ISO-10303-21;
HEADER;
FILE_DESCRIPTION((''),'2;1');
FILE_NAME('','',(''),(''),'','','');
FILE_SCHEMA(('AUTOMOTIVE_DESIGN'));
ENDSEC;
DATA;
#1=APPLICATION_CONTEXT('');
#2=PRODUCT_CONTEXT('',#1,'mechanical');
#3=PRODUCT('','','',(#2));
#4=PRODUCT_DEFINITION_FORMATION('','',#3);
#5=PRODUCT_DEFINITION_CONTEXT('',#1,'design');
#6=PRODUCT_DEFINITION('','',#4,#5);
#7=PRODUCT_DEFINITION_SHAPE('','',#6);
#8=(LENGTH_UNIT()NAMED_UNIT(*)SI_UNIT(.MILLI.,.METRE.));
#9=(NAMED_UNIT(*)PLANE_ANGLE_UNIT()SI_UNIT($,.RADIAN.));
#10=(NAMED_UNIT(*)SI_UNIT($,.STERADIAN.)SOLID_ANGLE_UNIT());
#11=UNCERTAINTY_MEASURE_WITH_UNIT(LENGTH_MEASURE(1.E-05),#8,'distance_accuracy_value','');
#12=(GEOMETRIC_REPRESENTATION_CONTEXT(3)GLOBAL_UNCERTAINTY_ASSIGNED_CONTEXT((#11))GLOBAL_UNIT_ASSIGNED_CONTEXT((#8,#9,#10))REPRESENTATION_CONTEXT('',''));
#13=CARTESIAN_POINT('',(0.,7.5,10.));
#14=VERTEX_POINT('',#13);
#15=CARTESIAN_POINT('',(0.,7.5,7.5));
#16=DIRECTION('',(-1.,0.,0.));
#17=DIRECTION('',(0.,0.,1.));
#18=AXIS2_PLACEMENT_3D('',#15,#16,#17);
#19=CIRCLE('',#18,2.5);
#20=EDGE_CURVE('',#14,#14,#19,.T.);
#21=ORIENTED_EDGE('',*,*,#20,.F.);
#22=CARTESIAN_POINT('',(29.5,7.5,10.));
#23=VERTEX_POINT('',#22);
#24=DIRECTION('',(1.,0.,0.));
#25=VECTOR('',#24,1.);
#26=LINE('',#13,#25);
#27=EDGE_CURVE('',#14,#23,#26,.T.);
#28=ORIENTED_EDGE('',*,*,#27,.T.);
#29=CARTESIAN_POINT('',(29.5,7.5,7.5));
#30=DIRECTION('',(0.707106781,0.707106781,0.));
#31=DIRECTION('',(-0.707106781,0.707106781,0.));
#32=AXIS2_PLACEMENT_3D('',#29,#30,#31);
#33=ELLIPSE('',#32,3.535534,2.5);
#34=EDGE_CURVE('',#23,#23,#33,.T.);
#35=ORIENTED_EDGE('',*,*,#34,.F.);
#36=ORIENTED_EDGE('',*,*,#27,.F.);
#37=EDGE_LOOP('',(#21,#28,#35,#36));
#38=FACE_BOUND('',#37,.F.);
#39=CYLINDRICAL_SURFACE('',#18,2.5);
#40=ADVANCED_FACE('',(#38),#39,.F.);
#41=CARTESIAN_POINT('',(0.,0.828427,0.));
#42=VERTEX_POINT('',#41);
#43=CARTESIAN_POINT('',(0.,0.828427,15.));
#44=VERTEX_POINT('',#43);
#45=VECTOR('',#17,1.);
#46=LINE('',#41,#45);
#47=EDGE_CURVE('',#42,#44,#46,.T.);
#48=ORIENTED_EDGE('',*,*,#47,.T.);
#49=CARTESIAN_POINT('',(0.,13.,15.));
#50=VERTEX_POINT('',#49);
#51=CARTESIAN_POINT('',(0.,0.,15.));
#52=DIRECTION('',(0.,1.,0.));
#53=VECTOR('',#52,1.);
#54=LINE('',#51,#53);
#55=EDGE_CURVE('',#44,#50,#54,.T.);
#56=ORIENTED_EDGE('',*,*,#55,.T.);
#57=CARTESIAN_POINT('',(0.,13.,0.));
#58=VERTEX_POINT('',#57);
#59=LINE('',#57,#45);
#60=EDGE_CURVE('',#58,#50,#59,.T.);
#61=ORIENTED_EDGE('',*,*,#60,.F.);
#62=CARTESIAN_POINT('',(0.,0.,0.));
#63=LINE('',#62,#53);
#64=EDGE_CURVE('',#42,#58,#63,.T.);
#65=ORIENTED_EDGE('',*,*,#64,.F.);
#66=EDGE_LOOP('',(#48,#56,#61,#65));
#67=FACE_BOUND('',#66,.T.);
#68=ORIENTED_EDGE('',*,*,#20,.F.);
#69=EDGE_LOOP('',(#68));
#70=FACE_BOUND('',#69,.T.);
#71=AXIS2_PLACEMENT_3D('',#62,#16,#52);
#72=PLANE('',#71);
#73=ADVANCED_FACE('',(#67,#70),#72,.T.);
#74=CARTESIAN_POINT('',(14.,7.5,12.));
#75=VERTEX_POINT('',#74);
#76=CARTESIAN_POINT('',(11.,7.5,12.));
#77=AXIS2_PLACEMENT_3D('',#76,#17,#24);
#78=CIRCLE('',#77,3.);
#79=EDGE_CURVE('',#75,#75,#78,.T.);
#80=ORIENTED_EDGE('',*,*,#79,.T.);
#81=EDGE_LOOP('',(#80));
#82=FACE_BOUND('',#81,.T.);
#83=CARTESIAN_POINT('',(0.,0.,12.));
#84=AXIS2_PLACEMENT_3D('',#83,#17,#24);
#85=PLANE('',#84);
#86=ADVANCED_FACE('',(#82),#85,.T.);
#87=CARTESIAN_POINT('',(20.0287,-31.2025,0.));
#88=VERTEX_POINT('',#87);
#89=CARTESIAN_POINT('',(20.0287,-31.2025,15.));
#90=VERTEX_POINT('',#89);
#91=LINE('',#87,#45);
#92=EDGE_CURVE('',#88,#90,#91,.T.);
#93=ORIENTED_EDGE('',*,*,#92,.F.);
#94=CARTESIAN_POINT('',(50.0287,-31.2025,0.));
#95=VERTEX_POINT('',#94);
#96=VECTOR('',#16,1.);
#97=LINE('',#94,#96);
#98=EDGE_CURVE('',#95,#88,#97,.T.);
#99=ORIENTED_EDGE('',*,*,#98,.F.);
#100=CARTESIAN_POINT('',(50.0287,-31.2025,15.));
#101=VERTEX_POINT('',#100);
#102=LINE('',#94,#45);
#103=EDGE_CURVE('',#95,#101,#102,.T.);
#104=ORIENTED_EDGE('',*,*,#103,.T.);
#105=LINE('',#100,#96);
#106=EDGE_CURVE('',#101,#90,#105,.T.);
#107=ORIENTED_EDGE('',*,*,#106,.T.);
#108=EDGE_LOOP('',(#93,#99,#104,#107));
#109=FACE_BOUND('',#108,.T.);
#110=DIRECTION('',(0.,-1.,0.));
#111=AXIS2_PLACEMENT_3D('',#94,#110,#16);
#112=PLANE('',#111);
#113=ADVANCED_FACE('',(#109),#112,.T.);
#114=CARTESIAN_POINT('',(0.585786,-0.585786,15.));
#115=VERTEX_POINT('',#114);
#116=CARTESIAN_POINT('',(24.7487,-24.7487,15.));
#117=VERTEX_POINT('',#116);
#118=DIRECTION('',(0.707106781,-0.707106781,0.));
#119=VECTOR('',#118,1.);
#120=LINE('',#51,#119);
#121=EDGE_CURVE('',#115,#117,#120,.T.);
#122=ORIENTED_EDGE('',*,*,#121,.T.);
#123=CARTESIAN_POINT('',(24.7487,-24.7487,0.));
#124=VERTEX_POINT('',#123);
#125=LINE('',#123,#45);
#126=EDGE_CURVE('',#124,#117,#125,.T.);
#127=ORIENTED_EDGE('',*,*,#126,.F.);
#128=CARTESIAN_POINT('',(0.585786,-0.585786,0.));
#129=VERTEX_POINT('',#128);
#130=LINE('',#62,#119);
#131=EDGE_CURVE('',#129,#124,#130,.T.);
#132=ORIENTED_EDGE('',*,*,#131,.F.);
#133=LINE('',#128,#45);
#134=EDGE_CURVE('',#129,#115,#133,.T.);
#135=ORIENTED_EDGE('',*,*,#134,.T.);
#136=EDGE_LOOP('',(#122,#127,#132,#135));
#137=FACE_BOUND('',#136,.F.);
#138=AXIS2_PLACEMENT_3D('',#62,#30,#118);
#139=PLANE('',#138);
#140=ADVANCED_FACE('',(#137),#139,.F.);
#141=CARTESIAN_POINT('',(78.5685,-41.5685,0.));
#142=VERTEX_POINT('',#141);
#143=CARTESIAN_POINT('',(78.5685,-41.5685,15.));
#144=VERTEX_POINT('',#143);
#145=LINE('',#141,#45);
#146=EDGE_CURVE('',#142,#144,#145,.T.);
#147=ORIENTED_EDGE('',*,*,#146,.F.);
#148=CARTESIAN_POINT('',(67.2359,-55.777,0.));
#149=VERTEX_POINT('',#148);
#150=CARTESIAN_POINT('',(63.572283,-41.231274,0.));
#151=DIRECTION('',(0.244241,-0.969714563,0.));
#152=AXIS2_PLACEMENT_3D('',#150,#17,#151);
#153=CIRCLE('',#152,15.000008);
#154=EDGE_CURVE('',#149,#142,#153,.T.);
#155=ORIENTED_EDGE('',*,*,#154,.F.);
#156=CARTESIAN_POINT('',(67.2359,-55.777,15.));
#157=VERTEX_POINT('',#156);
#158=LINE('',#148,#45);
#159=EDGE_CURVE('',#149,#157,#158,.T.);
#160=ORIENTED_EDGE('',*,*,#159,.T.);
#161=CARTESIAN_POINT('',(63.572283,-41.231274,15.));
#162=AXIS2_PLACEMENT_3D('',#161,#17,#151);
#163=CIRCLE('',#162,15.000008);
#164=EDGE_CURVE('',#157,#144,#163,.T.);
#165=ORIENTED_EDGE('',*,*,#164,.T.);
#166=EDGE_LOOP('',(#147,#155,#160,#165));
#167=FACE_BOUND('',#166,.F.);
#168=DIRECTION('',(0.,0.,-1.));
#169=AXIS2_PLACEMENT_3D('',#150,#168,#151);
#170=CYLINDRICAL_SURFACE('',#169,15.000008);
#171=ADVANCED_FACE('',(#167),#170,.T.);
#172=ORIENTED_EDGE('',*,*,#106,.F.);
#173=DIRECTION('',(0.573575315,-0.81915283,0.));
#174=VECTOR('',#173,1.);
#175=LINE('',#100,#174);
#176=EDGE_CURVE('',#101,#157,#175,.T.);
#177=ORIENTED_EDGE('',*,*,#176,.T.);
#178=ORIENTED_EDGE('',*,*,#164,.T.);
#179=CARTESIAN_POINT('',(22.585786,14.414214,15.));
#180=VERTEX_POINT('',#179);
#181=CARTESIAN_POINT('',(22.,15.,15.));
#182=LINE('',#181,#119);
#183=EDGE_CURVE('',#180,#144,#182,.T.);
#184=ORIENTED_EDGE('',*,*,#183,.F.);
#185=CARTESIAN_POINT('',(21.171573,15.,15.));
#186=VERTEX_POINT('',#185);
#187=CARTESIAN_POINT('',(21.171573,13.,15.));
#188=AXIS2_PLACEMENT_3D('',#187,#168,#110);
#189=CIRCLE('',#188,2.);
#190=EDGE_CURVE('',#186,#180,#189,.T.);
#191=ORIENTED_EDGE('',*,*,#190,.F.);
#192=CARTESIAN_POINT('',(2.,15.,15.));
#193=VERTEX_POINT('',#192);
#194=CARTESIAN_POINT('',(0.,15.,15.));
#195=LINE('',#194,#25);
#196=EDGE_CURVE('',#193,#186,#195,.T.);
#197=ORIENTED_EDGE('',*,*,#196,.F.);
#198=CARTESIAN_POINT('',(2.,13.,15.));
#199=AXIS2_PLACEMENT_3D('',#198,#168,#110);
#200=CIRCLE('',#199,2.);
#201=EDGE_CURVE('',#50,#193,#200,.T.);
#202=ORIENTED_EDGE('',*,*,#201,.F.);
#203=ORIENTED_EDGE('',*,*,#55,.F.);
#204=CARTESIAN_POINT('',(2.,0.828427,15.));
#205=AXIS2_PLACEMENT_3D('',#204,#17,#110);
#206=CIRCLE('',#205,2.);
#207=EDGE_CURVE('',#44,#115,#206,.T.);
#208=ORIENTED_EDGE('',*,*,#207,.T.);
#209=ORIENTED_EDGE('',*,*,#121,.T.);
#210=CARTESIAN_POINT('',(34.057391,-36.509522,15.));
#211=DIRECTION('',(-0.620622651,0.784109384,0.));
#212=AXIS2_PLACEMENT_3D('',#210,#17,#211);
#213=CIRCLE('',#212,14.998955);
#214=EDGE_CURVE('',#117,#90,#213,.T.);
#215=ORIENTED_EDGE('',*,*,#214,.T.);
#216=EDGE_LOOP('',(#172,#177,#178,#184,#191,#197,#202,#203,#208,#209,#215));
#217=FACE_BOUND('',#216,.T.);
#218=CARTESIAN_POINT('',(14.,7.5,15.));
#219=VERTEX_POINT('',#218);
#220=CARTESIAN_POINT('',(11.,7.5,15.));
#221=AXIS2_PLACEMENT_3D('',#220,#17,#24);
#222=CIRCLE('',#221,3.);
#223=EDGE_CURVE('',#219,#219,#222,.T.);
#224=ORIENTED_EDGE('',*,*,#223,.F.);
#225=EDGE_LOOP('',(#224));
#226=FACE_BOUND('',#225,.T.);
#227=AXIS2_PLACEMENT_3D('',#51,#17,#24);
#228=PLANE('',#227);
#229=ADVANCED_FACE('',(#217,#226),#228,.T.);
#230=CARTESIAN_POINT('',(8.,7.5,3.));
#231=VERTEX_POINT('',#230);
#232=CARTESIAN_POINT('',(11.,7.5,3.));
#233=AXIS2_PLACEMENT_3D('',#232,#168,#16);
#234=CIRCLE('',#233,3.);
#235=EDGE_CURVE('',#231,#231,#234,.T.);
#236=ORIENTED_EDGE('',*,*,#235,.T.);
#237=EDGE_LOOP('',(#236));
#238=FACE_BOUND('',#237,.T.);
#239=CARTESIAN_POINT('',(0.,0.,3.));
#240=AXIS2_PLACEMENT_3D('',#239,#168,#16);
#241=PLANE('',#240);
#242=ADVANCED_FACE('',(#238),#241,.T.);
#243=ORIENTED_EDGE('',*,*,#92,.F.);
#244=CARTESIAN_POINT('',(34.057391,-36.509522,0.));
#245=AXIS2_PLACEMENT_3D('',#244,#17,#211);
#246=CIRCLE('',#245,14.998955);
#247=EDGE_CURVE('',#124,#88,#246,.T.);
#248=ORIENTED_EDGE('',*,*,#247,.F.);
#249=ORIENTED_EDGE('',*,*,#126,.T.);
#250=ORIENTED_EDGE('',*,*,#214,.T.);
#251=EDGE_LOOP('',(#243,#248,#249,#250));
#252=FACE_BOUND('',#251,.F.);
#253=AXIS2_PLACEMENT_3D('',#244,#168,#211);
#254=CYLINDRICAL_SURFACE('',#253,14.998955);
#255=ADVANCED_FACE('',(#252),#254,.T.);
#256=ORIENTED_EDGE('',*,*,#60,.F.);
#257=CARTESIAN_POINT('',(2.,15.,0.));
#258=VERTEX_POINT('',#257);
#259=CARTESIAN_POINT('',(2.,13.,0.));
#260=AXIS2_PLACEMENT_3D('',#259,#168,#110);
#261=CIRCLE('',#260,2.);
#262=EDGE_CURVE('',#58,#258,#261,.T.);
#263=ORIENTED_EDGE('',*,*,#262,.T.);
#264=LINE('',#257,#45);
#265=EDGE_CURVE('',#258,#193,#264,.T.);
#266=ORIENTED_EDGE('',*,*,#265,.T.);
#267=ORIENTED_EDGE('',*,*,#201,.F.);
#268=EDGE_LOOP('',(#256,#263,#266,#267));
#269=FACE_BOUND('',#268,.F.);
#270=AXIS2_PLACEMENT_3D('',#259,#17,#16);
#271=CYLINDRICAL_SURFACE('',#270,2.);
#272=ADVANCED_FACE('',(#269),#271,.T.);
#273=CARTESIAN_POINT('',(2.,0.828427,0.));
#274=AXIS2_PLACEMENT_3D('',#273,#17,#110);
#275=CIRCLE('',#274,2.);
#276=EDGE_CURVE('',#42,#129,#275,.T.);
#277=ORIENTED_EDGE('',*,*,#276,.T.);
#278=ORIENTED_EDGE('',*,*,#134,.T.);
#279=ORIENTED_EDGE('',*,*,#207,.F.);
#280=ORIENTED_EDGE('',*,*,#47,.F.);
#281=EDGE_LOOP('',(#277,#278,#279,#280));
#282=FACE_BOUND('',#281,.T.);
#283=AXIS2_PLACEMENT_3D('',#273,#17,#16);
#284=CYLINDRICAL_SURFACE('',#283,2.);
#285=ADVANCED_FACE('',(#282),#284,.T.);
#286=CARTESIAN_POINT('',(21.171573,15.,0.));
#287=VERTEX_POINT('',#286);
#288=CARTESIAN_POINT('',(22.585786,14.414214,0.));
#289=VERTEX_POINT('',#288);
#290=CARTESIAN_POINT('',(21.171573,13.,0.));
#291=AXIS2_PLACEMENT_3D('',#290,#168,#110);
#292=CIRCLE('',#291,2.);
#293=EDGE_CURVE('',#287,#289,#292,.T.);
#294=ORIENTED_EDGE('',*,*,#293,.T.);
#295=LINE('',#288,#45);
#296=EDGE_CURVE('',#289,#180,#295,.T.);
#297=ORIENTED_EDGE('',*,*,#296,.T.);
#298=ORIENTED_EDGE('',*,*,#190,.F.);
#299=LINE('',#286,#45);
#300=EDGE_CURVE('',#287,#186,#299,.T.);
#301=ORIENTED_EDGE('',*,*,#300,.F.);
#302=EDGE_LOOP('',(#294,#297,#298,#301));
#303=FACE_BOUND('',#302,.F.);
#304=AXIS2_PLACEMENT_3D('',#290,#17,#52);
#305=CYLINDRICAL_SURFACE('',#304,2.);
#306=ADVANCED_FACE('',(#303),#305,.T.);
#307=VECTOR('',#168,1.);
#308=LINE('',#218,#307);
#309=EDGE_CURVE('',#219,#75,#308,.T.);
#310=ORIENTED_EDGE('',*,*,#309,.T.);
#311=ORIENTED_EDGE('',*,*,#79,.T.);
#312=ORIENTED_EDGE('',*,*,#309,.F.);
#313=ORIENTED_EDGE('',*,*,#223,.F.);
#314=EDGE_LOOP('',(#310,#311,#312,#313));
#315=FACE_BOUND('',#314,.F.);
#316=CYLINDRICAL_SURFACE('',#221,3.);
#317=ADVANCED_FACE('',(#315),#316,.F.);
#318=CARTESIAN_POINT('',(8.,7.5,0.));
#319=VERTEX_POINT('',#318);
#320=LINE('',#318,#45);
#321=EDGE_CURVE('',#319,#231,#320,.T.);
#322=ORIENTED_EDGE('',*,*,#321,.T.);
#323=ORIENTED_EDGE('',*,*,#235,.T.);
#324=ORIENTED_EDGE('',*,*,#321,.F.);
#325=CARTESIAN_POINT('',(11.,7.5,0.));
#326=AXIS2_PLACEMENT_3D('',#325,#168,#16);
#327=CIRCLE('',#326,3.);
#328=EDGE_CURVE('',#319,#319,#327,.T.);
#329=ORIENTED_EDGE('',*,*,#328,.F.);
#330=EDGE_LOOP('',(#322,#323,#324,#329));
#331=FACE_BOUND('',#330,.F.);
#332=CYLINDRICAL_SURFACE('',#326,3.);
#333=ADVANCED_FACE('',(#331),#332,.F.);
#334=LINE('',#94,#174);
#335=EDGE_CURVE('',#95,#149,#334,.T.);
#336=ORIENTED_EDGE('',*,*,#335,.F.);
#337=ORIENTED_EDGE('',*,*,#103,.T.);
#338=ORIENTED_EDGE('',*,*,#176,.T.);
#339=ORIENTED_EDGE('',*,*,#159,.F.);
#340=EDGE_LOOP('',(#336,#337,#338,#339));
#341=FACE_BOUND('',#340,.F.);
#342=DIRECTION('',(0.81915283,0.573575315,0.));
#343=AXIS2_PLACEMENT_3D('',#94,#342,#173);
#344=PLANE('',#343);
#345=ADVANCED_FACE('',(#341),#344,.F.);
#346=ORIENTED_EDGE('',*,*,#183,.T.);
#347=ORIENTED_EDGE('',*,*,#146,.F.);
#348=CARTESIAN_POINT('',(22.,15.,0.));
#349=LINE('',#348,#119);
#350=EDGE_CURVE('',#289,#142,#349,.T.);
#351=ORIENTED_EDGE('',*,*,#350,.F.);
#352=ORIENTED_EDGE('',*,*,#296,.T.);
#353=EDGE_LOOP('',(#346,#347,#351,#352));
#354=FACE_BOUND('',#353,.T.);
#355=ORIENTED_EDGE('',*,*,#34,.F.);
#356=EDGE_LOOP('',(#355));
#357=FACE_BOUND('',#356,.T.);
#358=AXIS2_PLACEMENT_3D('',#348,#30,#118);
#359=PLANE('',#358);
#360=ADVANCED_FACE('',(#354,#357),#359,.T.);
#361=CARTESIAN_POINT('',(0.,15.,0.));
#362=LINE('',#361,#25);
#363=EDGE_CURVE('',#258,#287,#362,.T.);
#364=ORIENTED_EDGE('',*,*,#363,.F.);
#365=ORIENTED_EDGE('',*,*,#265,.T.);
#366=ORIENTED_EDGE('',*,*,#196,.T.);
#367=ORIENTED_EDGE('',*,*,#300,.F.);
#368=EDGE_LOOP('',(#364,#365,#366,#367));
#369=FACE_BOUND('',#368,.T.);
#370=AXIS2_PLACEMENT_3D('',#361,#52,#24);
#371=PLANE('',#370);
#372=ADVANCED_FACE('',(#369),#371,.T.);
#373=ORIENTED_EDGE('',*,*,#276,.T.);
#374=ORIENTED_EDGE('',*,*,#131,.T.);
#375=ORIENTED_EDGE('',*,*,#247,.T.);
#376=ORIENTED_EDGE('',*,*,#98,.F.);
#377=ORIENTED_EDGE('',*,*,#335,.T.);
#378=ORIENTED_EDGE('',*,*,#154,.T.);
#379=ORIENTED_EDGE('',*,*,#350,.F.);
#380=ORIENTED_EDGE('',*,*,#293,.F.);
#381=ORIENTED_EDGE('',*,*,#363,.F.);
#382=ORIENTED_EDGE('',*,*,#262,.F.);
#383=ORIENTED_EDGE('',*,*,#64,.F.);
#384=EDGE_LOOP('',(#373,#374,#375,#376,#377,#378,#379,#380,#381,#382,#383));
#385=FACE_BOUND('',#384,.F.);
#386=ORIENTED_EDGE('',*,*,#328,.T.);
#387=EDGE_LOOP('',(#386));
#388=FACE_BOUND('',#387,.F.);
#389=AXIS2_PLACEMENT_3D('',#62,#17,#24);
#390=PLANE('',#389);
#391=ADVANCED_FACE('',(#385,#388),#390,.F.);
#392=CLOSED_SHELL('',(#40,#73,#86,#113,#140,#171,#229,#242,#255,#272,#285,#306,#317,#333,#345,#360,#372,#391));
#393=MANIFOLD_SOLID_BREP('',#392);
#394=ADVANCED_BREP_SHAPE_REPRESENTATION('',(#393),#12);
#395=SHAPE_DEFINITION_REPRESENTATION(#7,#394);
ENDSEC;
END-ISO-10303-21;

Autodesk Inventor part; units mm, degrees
ref_plane "YZ Plane" through (0, 0, 0) normal (1, 0, 0) x (0, 1, 0)
ref_plane "XZ Plane" through (0, 0, 0) normal (0, 1, 0) x (-1, 0, 0)
ref_plane "XY Plane" through (0, 0, 0) normal (0, 0, 1) x (1, 0, 0)
sketch "Sketch1" plane through (0, 0, 0) normal (0, 0, 1) x (1, 0, 0)
  line L0 (0, 0) -> (0, 15)
  line L1 (0, 15) -> (22, 15)
  line L2 (22, 15) -> (78.5685, -41.5685)
  line L3 (0, 0) -> (24.7487, -24.7487)
  line L4 (0, 0) -> (35, 0) construction
  line L5 (0, 15) -> (0, 7.5) construction
  line L6 (11.1378, 7.6884) -> (50.0287, -31.2025) construction
  line L7 (11.1378, 7.6884) -> (66.1378, 7.6884) construction
  line L8 (50.0287, -31.2025) -> (67.2359, -55.777)
  line L9 (50.0287, -31.2025) -> (80.0287, -31.2025) construction
  line L10 (50.0287, -31.2025) -> (20.0287, -31.2025)
  arc A0 (24.7487, -24.7487) -> (20.0287, -31.2025) centre (34.0582, -36.5103) ccw
  arc A1 (67.2359, -55.777) -> (78.5685, -41.5685) centre (63.5723, -41.2313) ccw
  dimension "d0" = 15
  dimension "d1" = 22
  dimension "d2" = 80
  dimension "d3" = 135
  dimension "d4" = 35
  dimension "d5" = 45
  dimension "d6" = 55
  dimension "d7" = 45
  dimension "d8" = 30
  dimension "d9" = 55
  dimension "d10" = 30
  dimension "d11" = 15
  dimension "d12" = 15
extrude "Extrusion1" add sketch "Sketch1" along normal blind 15
sketch "Sketch2" plane through (0, 0, 0) normal (-1, 0, 0) x (0, 0, 1)
  line L0 (0, -41.5685) -> (0, 15) construction
  line L1 (0, 15) -> (7.5, 15) construction
  line L2 (0, 15) -> (15, 15) construction
  line L3 (7.5, 15) -> (7.5, 7.5) construction
  circle A0 centre (7.5, 7.5) radius 2.5
  point P0 (0, 0)
  dimension "d15" = 7.5
  dimension "d16" = 7.5
  dimension "d17" = 5
extrude "Extrusion2" cut sketch "Sketch2" against normal blind 33
fillet "Fillet1" radius 2 2 edges at (0, 15, 7.5) (0, 0, 7.5)
fillet "Fillet2" radius 2 1 edges at (22, 15, 7.5)
sketch "Sketch3" plane through (0, 0, 15) normal (0, 0, 1) x (1, 0, 0)
  line L0 (21.1716, 15) -> (2, 15) construction
  line L1 (6.35, 15) -> (6.35, 7.5) construction
  line L2 (0, 13) -> (0, 0.8284) construction
  line L3 (0, 7.5) -> (11, 7.5) construction
  line L4 (0, 7.5) -> (11, 7.5) construction
  circle A0 centre (11, 7.5) radius 3
  point P0 (0, 0)
  dimension "d22" = 7.5
  dimension "d23" = 11
  dimension "d24" = 0
  dimension "d25" = 6
extrude "Extrusion3" cut sketch "Sketch3" against normal blind 3
sketch "Sketch4" plane through (0, 0, 0) normal (0, 0, -1) x (-1, 0, 0)
  line L0 (-21.1716, 15) -> (-2, 15) construction
  line L1 (-4.7625, 15) -> (-4.7625, 7.5) construction
  line L2 (-4.7625, 15) -> (2.7375, 15) construction
  line L3 (0, 13) -> (0, 0.8284) construction
  line L4 (0, 7.5) -> (-11, 7.5) construction
  line L5 (0, 7.5) -> (11, 7.5) construction
  circle A0 centre (-11, 7.5) radius 3
  point P0 (0, 0)
  dimension "d28" = 7.5
  dimension "d29" = 90
  dimension "d30" = 11
  dimension "d31" = 180
  dimension "d32" = 6
extrude "Extrusion4" cut sketch "Sketch4" against normal blind 3
properties part number "Ramię ze szczękami" material "Steel"
